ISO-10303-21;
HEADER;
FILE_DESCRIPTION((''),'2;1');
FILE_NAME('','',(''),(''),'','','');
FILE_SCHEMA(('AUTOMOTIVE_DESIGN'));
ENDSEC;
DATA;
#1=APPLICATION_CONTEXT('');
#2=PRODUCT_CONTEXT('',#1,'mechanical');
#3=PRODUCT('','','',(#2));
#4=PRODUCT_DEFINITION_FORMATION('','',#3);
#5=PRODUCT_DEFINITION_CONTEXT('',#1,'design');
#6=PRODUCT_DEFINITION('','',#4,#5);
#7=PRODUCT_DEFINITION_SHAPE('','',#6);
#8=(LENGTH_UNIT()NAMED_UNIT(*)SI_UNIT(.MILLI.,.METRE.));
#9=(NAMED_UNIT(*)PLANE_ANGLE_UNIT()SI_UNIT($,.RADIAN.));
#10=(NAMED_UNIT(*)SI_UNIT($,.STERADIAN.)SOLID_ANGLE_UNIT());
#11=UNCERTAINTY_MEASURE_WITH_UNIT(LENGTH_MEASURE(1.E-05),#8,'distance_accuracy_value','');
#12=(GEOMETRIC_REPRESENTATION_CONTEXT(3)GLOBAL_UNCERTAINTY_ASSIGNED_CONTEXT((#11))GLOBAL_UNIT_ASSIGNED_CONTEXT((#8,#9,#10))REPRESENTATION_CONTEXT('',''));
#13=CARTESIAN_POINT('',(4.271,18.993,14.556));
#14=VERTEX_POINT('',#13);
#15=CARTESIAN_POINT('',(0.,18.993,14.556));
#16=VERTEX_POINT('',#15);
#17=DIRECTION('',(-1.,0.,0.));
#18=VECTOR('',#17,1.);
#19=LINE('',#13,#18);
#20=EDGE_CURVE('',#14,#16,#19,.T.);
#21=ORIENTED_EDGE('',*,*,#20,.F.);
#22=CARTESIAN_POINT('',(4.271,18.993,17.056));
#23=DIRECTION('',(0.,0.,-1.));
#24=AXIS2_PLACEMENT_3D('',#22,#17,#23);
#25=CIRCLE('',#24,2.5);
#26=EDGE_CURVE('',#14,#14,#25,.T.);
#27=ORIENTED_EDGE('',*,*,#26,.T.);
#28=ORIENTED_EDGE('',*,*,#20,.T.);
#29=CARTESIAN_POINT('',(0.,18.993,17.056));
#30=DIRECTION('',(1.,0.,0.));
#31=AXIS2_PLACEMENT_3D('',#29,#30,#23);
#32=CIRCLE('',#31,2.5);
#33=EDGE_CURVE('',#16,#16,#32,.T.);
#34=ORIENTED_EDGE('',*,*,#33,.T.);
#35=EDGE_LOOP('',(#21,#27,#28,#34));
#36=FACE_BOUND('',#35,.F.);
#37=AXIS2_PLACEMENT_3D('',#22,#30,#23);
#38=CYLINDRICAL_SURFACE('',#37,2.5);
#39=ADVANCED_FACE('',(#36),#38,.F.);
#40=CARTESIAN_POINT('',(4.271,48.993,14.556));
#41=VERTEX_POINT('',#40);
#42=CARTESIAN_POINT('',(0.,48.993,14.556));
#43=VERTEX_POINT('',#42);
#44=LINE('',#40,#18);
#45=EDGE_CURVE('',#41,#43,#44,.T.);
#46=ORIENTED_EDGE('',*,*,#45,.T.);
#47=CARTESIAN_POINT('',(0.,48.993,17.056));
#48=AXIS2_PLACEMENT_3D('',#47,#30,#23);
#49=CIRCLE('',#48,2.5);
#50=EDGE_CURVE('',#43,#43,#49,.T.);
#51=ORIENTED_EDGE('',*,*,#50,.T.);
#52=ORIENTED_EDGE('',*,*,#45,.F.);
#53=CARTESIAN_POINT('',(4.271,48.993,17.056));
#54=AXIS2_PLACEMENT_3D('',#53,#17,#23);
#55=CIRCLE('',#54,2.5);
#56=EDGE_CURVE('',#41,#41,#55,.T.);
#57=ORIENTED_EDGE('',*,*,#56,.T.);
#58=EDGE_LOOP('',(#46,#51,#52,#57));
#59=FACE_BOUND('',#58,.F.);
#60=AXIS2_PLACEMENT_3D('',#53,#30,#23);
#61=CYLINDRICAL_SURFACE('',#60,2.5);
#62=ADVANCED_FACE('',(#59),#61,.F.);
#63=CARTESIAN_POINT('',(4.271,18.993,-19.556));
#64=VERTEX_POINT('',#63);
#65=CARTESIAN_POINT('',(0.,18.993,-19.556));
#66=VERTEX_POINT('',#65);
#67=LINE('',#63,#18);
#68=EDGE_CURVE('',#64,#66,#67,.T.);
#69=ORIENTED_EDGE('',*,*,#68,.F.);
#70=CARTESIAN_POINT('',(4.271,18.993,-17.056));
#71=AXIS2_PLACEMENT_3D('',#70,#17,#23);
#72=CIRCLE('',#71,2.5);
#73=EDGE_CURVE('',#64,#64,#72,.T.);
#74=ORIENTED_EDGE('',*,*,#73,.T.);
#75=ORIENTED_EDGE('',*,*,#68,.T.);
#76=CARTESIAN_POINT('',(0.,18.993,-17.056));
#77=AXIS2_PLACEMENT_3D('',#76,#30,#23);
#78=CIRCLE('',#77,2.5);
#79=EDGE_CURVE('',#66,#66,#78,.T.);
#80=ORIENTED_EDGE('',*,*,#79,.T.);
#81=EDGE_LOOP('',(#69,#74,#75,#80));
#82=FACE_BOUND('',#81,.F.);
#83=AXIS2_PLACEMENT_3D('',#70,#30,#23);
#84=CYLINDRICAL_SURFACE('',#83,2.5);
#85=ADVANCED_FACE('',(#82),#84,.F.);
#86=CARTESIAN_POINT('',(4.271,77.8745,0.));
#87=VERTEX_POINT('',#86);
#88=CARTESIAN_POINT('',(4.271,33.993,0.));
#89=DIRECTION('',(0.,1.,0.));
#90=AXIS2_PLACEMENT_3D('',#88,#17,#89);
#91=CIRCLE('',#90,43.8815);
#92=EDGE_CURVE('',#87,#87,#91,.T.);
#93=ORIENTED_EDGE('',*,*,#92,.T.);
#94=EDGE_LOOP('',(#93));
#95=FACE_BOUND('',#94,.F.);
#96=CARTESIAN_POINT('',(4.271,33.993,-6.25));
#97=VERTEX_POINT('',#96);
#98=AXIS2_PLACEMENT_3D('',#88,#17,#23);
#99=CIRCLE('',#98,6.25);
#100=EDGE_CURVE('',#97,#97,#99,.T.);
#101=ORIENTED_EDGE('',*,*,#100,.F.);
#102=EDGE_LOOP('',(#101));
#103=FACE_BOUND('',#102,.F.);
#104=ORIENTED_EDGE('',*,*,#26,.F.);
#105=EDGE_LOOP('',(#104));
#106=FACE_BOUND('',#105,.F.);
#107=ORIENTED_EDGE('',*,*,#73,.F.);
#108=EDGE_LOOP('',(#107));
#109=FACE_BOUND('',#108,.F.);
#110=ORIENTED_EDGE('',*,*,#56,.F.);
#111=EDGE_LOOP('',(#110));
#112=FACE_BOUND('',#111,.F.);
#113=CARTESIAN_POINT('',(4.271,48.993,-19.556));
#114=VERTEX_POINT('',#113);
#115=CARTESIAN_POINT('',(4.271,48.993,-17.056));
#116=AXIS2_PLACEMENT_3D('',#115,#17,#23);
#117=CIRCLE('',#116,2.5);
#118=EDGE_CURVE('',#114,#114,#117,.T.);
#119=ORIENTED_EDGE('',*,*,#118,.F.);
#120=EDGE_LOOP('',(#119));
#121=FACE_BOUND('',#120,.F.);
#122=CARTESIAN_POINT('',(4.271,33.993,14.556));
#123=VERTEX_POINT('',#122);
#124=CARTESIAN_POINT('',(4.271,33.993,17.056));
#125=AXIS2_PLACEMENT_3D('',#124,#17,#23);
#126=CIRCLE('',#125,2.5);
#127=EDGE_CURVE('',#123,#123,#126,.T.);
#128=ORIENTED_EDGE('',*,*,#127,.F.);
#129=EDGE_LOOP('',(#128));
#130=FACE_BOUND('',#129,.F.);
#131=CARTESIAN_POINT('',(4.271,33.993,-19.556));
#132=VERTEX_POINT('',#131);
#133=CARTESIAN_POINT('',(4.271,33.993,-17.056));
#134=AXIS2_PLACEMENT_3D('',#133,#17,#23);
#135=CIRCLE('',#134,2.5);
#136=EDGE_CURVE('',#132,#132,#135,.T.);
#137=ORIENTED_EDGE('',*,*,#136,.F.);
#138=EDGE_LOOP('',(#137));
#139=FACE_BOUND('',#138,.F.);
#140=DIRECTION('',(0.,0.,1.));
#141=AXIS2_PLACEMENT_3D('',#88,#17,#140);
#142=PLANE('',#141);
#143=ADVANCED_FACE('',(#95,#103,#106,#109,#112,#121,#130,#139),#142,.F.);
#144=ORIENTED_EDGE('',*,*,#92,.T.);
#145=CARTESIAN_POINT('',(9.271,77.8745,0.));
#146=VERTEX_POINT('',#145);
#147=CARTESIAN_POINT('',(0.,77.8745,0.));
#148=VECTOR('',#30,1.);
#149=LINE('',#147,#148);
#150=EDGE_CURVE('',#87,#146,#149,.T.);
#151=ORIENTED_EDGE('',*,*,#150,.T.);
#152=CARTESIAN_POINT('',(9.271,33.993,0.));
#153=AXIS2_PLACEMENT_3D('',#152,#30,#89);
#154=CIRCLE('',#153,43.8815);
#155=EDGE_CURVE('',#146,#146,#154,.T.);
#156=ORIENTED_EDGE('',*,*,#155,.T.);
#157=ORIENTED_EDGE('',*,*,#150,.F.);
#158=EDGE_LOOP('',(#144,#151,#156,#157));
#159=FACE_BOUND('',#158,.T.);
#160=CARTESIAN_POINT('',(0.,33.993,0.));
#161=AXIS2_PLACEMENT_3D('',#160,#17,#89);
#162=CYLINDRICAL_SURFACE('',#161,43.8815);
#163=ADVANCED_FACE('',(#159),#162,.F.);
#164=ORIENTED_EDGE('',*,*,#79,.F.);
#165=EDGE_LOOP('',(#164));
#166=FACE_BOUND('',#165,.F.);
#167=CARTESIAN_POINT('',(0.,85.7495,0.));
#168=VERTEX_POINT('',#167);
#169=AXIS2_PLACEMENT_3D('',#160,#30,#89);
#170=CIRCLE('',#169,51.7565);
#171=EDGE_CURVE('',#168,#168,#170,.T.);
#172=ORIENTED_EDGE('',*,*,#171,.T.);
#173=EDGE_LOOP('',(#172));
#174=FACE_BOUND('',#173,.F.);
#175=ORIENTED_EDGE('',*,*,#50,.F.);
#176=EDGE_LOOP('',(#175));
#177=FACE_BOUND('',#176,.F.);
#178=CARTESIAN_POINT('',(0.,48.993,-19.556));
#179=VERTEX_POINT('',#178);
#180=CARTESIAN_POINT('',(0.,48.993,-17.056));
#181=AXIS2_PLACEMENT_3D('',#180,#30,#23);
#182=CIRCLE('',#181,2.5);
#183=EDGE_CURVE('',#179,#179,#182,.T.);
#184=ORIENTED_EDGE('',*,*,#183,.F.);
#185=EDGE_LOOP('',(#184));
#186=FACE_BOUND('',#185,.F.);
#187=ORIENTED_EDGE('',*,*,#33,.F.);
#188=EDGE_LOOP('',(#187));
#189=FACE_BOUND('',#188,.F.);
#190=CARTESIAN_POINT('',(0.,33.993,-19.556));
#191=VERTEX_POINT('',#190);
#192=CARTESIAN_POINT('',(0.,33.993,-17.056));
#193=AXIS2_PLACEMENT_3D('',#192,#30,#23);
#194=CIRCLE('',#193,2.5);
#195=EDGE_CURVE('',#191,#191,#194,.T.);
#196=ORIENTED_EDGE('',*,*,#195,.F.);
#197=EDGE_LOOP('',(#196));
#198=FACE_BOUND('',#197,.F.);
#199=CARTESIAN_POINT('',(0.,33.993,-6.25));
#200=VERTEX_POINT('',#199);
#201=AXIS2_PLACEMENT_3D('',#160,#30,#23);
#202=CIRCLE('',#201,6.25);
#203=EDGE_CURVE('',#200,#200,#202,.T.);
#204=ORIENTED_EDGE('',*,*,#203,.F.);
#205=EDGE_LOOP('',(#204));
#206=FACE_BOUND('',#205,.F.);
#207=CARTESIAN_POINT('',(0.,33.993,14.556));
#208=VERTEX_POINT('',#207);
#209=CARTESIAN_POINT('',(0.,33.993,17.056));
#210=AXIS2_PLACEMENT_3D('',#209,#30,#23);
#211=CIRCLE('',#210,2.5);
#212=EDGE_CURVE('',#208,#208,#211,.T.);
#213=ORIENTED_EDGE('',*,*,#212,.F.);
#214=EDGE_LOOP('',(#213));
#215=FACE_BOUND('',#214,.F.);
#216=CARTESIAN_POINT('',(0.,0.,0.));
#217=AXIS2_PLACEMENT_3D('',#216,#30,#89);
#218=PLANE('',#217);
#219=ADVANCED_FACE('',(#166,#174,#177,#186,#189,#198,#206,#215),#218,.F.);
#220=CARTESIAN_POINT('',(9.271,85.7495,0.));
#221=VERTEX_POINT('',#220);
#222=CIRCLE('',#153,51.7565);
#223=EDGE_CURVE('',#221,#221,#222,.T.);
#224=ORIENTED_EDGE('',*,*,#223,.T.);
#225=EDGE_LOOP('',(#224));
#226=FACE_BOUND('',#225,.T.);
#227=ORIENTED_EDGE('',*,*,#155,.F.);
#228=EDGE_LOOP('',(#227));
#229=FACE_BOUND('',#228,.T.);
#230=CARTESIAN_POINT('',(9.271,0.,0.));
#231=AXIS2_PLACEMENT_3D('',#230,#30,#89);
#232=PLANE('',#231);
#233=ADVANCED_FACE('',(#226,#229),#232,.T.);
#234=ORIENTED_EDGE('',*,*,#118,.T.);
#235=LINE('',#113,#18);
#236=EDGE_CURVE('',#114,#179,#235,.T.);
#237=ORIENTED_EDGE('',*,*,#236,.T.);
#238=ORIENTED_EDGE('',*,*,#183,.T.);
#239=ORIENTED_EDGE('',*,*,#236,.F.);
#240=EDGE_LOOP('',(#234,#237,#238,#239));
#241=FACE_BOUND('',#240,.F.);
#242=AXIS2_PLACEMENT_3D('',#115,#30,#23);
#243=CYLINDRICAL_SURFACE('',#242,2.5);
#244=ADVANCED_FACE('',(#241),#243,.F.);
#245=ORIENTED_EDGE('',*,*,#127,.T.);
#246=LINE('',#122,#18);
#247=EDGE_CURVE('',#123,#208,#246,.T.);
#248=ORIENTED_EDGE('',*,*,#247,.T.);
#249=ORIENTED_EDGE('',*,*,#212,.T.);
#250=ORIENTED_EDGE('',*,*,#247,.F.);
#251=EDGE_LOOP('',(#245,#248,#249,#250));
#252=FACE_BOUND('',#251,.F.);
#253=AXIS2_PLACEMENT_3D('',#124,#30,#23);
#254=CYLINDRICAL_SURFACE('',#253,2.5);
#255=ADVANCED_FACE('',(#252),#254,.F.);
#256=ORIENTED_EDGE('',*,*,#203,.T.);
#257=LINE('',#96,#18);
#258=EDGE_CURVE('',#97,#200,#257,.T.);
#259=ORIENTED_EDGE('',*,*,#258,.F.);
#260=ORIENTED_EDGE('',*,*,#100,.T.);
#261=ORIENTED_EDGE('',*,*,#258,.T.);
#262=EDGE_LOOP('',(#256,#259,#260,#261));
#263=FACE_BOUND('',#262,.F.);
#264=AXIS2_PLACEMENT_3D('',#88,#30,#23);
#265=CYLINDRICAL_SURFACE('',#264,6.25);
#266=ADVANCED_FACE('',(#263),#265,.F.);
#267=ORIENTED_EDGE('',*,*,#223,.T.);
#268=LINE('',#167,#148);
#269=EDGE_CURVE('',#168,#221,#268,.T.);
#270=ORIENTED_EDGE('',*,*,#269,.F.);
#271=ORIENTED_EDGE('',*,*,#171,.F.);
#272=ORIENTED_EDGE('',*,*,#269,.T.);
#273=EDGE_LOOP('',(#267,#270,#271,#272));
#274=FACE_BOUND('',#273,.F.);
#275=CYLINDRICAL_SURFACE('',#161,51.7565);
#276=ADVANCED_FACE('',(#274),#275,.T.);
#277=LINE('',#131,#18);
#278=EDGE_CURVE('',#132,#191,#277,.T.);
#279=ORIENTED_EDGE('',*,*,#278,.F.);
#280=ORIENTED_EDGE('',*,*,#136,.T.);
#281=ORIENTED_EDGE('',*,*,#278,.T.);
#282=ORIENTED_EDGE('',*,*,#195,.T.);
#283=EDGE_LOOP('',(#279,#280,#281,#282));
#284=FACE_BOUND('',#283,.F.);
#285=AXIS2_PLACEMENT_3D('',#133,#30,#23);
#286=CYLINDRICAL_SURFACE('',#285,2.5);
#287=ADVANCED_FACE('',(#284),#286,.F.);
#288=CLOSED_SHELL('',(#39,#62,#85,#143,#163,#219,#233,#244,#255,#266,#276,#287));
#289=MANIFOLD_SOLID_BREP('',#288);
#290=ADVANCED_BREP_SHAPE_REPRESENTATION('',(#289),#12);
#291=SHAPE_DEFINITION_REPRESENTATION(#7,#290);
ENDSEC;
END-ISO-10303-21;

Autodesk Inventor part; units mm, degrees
ref_plane "YZ Plane" through (0, 0, 0) normal (1, 0, 0) x (0, 1, 0)
ref_plane "XZ Plane" through (0, 0, 0) normal (0, 1, 0) x (-1, 0, 0)
ref_plane "XY Plane" through (0, 0, 0) normal (0, 0, 1) x (1, 0, 0)
sketch "Sketch1" plane through (0, 0, 0) normal (1, 0, 0) x (0, 1, 0)
  line L0 (0, 0) -> (0, -24.25)
  line L1 (0, 0) -> (0, 24.25)
  line L2 (0, 0) -> (33.993, 0)
  circle A0 centre (33.993, 0) radius 51.7565
  circle A1 centre (33.993, 0) radius 43.8815
  dimension "d0" = 24.25
  dimension "d1" = 24.25
  dimension "d2" = 33.993
  dimension "d3" = 103.513
  dimension "d17" = 87.763
extrude "Extrusion1" add sketch "Sketch1" along normal blind 9.271
sketch "Sketch5" plane through (0, 33.993, 0) normal (-1, 0, 0) x (0, 0, 1)
  circle A0 centre (0, 0) radius 43.8815
  point P0 (0, -33.993)
extrude "Extrusion5" add sketch "Sketch5" against normal blind 4.271
sketch "Sketch6" plane through (4.271, 33.993, 0) normal (1, 0, 0) x (0, 0, -1)
  line L0 (0, 0) -> (17.056, 0)
  line L1 (0, 0) -> (-17.056, 0)
  circle A0 centre (-17.056, 0) radius 2.5
  circle A1 centre (17.056, 0) radius 2.5
  circle A2 centre (0, 0) radius 6.25
  line L2 (-17.056, 0) -> (-17.056, -15)
  line L3 (-17.056, 0) -> (-17.056, 15)
  line L4 (17.056, 0) -> (17.056, 15)
  line L5 (17.056, 0) -> (17.056, -15)
  circle A3 centre (-17.056, 15) radius 2.5
  circle A4 centre (-17.056, -15) radius 2.5
  circle A5 centre (17.056, 15) radius 2.5
  circle A6 centre (17.056, -15) radius 2.5
  point P0 (0, -33.993)
  dimension "d22" = 17.056
  dimension "d23" = 17.056
  dimension "d24" = 5
  dimension "d25" = 5
  dimension "d26" = 12.5
  dimension "d29" = 15
  dimension "d30" = 15
  dimension "d31" = 15
  dimension "d32" = 15
  dimension "d33" = 5
  dimension "d34" = 5
  dimension "d35" = 5
  dimension "d36" = 5
extrude "Extrusion6" cut sketch "Sketch6" against normal blind 4.271
properties part number "4ax_plate_joint"
